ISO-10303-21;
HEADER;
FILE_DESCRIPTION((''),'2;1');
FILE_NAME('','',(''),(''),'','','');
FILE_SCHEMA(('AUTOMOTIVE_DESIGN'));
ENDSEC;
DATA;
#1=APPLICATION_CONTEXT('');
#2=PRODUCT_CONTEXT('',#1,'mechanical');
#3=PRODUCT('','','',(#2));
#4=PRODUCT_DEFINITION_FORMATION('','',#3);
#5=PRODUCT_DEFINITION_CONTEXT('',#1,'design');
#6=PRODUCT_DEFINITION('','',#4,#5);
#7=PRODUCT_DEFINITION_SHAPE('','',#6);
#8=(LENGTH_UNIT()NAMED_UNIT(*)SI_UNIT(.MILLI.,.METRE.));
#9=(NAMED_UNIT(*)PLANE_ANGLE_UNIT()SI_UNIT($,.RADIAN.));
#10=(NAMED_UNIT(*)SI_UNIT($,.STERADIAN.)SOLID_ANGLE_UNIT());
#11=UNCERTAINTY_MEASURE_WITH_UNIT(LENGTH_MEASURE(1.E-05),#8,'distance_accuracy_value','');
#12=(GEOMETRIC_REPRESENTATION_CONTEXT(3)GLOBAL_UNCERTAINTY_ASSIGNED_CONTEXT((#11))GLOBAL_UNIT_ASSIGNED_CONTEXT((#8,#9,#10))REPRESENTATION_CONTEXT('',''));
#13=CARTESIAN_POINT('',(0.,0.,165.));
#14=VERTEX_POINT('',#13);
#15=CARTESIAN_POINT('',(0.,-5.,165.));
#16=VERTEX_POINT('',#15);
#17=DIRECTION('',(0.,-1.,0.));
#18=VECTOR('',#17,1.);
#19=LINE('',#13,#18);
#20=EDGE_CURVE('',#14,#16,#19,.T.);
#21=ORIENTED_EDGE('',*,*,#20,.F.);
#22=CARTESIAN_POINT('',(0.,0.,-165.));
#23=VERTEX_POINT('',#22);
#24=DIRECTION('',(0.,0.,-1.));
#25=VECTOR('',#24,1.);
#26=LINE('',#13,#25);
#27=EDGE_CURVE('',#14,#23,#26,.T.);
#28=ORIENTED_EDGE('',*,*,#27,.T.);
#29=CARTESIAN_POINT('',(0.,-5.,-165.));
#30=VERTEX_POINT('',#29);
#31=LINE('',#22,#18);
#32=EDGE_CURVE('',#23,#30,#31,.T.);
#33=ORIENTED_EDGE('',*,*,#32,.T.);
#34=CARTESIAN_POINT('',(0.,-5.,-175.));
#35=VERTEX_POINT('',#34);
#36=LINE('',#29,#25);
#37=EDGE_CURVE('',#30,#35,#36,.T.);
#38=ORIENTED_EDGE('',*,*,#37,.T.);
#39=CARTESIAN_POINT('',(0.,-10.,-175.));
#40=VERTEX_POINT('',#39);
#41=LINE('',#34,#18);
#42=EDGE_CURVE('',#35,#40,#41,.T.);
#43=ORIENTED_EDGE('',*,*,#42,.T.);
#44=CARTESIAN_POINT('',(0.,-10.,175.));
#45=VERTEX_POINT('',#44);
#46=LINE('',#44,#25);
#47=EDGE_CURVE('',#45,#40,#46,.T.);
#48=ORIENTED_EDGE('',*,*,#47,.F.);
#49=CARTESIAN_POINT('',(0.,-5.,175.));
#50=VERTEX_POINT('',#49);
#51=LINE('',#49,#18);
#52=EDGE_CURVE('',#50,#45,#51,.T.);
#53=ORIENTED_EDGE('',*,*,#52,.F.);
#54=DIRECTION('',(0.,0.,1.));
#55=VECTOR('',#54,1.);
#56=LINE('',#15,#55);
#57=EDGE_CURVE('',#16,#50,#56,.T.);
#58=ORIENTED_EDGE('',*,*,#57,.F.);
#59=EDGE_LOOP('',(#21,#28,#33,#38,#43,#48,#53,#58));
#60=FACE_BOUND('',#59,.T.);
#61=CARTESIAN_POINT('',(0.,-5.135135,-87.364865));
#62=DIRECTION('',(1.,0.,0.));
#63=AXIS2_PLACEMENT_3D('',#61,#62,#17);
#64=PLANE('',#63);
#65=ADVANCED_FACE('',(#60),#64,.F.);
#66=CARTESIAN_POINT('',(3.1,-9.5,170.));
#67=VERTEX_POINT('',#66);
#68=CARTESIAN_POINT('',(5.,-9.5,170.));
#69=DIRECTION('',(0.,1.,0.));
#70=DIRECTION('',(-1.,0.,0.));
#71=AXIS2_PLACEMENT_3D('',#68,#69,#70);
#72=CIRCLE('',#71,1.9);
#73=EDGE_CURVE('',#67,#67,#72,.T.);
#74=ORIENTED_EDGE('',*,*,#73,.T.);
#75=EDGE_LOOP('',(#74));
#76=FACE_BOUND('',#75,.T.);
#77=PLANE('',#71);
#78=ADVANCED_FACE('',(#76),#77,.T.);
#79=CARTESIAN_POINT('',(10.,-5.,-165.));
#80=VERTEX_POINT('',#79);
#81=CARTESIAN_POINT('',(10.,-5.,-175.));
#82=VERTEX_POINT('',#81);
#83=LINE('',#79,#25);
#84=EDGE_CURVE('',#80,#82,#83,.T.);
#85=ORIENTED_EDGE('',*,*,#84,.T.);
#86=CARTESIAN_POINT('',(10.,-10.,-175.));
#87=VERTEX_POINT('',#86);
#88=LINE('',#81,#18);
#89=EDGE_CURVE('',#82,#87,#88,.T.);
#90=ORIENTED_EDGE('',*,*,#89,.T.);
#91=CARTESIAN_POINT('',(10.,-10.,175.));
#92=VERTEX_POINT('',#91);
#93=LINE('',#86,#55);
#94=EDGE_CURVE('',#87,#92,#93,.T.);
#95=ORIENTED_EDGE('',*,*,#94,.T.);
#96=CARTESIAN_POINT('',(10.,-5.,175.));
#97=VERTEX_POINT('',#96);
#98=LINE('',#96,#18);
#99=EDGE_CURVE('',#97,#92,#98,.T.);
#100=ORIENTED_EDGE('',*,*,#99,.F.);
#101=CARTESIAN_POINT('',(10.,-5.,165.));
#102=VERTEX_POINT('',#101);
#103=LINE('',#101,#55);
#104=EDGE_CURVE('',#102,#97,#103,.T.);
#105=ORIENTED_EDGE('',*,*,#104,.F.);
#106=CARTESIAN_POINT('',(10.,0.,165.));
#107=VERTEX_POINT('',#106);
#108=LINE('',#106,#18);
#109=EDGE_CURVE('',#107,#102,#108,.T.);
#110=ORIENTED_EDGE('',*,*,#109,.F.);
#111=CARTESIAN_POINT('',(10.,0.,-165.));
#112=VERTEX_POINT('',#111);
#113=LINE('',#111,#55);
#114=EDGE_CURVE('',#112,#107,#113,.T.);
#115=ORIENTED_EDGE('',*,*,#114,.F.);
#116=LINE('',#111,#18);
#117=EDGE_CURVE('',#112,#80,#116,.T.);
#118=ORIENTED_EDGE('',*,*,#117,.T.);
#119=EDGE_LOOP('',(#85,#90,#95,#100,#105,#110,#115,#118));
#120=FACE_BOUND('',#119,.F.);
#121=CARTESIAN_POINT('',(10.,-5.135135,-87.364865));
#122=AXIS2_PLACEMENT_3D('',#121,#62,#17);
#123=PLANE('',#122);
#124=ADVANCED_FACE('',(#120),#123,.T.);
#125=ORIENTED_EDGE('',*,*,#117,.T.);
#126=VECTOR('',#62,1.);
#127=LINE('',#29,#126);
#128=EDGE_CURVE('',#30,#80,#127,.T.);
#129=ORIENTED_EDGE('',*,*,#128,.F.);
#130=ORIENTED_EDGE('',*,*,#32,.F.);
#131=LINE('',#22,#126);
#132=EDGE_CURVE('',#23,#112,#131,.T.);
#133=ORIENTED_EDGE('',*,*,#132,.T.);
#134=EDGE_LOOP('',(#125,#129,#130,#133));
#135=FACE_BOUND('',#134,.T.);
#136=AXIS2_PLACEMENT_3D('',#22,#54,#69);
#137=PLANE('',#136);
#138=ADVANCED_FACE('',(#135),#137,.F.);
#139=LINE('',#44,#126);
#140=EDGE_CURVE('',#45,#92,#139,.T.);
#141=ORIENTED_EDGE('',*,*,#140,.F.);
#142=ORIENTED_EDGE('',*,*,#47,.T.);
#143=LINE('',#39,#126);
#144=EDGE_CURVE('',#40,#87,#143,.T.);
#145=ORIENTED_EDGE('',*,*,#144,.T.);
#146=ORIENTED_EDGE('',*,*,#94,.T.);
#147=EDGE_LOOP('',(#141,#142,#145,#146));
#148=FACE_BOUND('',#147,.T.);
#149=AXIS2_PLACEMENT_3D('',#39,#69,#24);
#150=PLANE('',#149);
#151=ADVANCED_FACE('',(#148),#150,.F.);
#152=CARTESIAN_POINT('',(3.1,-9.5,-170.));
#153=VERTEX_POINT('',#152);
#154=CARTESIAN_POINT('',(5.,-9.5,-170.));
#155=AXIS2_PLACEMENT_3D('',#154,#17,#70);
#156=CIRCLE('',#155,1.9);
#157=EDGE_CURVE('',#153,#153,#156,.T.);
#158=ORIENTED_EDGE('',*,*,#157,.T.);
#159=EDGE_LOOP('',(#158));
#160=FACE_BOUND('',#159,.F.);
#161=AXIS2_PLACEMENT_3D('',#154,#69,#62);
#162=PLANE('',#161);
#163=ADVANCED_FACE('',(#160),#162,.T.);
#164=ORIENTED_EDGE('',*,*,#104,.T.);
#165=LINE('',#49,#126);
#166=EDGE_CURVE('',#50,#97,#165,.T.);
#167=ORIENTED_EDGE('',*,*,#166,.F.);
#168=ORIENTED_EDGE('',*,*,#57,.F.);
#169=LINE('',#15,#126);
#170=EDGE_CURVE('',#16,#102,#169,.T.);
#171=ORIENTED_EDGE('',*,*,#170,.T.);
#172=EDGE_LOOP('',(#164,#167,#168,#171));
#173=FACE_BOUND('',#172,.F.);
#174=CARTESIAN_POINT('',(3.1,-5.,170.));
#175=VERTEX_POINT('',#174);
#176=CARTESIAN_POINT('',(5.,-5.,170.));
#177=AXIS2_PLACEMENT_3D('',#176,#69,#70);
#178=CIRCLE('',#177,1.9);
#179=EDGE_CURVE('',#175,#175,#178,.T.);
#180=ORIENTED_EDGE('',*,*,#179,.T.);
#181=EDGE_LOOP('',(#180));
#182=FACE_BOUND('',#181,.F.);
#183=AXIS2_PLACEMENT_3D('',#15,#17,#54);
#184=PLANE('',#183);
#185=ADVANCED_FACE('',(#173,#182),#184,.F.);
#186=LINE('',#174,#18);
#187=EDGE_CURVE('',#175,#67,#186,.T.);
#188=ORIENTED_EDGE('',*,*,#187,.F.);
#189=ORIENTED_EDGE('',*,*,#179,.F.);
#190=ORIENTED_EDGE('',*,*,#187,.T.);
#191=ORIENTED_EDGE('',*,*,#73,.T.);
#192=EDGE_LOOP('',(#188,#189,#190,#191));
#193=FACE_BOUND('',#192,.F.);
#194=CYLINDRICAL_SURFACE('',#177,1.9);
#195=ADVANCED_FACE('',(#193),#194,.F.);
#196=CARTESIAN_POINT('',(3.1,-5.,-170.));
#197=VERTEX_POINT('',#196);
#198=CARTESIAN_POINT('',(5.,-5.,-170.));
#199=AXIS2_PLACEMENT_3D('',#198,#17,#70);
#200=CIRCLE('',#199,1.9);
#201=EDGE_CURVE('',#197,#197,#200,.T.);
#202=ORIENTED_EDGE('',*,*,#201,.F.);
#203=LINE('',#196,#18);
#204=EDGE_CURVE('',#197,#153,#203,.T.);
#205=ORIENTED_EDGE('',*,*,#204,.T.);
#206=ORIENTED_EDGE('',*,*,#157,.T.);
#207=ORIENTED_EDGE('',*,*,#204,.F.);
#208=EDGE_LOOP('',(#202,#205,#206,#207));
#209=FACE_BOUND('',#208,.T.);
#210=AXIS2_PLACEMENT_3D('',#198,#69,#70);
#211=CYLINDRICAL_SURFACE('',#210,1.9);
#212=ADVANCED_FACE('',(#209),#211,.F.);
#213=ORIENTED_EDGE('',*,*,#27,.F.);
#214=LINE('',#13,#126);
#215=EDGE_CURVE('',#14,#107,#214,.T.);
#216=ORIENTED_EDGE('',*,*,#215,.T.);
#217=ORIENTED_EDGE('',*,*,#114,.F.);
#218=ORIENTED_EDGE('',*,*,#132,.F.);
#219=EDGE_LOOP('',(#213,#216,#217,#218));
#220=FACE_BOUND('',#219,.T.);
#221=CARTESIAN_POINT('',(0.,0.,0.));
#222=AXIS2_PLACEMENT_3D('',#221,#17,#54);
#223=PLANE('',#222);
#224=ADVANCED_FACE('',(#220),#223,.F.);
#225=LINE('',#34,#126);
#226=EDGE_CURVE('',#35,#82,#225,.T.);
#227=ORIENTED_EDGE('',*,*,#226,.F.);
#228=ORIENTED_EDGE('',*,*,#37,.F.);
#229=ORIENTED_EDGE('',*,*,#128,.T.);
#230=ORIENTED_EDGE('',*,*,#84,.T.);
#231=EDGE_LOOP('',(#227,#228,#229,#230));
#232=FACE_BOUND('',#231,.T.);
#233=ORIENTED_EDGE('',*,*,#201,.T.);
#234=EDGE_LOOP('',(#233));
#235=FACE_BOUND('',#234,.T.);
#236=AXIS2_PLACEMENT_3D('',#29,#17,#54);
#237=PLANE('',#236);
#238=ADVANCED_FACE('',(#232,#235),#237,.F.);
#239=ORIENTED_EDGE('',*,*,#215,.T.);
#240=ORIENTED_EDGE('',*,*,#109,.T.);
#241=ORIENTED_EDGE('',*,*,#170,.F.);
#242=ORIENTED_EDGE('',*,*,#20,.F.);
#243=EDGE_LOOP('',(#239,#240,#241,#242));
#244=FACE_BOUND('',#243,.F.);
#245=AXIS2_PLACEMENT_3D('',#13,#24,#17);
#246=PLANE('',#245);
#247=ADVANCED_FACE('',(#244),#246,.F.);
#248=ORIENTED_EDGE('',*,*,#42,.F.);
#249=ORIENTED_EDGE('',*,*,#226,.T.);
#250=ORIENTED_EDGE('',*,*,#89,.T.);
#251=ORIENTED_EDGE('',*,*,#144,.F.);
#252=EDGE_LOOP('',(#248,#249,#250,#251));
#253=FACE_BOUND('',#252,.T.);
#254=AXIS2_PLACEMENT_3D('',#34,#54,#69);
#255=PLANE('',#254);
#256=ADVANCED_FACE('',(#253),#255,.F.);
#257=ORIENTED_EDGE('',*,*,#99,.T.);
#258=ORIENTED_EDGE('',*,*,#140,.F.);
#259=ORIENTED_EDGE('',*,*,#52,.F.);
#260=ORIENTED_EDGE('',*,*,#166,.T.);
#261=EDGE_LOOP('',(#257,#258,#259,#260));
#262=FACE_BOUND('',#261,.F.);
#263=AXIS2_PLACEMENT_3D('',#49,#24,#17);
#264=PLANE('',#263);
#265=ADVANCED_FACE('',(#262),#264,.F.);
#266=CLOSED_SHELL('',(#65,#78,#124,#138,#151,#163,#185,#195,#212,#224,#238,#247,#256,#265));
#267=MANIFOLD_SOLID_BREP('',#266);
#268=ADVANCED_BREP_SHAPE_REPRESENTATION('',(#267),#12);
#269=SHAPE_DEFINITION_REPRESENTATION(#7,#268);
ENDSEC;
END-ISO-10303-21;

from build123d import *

# Parameters (mm, degrees)
F1_DEPTH = 10
F2_R     = 1.9
F3_DEPTH = 4.5


with BuildPart() as f1:
    # F0 (on Right) → F1 (new body)
    with BuildSketch(Plane.YZ):
        Polygon((-10, 0), (0, 0), (0, 165), (-5, 165), (-5, 175), (-10, 175), align=None)
    extrude(amount=F1_DEPTH)

    # F2 (on face) → F3 (cut)
    with BuildSketch(Plane(origin=(0, -5, 0), x_dir=(-1, 0, 0), z_dir=(0, 1, 0))):
        with Locations((-5, 170)):
            Circle(F2_R)
    extrude(amount=-F3_DEPTH, mode=Mode.SUBTRACT)

    # F4: F1 across plane


with BuildPart() as f1_1:
    add(f1.part)
    add(f1.part.mirror(Plane.XY))


solid = f1_1.part
